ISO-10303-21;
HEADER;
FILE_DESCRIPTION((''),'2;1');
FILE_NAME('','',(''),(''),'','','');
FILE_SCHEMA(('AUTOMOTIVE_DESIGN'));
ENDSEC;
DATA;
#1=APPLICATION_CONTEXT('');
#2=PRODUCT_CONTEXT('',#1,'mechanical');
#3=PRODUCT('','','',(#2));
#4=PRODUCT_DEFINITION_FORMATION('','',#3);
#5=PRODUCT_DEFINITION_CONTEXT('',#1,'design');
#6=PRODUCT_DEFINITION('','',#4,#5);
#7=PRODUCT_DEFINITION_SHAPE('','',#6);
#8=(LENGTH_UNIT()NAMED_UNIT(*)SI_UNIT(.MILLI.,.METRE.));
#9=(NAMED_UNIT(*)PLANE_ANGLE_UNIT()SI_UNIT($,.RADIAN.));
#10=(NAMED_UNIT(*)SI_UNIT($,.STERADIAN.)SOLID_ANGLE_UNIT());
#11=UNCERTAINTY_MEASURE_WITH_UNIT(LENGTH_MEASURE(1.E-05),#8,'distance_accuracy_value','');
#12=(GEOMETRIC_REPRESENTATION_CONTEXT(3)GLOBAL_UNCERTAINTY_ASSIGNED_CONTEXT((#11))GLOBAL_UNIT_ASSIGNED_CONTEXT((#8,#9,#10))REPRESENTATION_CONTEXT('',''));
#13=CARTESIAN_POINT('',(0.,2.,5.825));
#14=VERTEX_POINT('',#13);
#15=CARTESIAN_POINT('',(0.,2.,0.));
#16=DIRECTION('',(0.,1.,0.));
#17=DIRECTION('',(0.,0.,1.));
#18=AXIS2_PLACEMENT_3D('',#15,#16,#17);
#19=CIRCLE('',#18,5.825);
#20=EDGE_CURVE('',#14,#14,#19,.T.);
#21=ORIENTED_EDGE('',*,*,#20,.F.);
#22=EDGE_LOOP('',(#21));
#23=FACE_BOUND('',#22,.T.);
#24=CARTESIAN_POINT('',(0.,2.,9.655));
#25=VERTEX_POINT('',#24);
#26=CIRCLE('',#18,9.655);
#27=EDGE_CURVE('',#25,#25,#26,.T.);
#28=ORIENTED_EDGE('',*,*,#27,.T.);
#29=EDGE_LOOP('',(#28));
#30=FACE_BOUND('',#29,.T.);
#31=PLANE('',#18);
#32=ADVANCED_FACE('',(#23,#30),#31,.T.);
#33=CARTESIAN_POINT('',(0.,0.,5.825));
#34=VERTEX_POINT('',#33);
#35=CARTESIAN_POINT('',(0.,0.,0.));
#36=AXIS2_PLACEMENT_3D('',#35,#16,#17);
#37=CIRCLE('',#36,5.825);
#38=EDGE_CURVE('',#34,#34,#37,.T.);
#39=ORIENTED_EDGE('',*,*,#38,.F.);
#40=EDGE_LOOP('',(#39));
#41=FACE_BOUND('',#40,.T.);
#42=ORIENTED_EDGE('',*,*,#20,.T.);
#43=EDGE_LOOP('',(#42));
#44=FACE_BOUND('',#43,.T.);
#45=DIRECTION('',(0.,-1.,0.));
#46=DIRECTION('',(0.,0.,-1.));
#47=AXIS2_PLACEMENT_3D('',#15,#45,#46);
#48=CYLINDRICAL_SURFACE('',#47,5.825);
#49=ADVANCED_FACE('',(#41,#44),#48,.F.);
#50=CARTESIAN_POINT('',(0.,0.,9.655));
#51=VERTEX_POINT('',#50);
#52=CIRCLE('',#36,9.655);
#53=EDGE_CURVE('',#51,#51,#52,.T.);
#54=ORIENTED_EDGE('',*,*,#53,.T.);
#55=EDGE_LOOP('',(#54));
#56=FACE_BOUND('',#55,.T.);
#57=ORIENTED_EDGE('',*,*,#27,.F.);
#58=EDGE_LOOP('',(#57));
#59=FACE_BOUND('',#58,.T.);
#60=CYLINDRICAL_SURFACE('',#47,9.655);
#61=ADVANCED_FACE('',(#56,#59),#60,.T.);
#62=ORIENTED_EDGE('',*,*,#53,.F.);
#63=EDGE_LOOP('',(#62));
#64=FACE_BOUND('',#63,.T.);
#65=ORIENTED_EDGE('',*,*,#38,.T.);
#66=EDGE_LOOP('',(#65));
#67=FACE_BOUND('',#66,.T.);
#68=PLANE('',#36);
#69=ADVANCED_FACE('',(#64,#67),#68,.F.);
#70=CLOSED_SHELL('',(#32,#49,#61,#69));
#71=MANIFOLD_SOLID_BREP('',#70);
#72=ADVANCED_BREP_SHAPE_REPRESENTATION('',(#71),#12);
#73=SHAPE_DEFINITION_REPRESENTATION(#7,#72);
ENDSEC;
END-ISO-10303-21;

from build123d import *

# Parameters (mm, degrees)
SKETCH1_R           = 9.655
SKETCH1_R_2         = 5.825
BOSS_EXTRUDE1_DEPTH = 2


with BuildPart() as part:
    # Sketch1 → Boss-Extrude1 (new body)
    with BuildSketch(Plane(origin=(0, 0, 0), x_dir=(1, 0, 0), z_dir=(0, 1, 0))):
        with Locations(Location((0, 0, 0), (0, 0, 270))):
            Circle(SKETCH1_R)
        with Locations(Location((0, 0, 0), (0, 0, 270))):
            Circle(SKETCH1_R_2, mode=Mode.SUBTRACT)
    extrude(amount=BOSS_EXTRUDE1_DEPTH)


solid = part.part
